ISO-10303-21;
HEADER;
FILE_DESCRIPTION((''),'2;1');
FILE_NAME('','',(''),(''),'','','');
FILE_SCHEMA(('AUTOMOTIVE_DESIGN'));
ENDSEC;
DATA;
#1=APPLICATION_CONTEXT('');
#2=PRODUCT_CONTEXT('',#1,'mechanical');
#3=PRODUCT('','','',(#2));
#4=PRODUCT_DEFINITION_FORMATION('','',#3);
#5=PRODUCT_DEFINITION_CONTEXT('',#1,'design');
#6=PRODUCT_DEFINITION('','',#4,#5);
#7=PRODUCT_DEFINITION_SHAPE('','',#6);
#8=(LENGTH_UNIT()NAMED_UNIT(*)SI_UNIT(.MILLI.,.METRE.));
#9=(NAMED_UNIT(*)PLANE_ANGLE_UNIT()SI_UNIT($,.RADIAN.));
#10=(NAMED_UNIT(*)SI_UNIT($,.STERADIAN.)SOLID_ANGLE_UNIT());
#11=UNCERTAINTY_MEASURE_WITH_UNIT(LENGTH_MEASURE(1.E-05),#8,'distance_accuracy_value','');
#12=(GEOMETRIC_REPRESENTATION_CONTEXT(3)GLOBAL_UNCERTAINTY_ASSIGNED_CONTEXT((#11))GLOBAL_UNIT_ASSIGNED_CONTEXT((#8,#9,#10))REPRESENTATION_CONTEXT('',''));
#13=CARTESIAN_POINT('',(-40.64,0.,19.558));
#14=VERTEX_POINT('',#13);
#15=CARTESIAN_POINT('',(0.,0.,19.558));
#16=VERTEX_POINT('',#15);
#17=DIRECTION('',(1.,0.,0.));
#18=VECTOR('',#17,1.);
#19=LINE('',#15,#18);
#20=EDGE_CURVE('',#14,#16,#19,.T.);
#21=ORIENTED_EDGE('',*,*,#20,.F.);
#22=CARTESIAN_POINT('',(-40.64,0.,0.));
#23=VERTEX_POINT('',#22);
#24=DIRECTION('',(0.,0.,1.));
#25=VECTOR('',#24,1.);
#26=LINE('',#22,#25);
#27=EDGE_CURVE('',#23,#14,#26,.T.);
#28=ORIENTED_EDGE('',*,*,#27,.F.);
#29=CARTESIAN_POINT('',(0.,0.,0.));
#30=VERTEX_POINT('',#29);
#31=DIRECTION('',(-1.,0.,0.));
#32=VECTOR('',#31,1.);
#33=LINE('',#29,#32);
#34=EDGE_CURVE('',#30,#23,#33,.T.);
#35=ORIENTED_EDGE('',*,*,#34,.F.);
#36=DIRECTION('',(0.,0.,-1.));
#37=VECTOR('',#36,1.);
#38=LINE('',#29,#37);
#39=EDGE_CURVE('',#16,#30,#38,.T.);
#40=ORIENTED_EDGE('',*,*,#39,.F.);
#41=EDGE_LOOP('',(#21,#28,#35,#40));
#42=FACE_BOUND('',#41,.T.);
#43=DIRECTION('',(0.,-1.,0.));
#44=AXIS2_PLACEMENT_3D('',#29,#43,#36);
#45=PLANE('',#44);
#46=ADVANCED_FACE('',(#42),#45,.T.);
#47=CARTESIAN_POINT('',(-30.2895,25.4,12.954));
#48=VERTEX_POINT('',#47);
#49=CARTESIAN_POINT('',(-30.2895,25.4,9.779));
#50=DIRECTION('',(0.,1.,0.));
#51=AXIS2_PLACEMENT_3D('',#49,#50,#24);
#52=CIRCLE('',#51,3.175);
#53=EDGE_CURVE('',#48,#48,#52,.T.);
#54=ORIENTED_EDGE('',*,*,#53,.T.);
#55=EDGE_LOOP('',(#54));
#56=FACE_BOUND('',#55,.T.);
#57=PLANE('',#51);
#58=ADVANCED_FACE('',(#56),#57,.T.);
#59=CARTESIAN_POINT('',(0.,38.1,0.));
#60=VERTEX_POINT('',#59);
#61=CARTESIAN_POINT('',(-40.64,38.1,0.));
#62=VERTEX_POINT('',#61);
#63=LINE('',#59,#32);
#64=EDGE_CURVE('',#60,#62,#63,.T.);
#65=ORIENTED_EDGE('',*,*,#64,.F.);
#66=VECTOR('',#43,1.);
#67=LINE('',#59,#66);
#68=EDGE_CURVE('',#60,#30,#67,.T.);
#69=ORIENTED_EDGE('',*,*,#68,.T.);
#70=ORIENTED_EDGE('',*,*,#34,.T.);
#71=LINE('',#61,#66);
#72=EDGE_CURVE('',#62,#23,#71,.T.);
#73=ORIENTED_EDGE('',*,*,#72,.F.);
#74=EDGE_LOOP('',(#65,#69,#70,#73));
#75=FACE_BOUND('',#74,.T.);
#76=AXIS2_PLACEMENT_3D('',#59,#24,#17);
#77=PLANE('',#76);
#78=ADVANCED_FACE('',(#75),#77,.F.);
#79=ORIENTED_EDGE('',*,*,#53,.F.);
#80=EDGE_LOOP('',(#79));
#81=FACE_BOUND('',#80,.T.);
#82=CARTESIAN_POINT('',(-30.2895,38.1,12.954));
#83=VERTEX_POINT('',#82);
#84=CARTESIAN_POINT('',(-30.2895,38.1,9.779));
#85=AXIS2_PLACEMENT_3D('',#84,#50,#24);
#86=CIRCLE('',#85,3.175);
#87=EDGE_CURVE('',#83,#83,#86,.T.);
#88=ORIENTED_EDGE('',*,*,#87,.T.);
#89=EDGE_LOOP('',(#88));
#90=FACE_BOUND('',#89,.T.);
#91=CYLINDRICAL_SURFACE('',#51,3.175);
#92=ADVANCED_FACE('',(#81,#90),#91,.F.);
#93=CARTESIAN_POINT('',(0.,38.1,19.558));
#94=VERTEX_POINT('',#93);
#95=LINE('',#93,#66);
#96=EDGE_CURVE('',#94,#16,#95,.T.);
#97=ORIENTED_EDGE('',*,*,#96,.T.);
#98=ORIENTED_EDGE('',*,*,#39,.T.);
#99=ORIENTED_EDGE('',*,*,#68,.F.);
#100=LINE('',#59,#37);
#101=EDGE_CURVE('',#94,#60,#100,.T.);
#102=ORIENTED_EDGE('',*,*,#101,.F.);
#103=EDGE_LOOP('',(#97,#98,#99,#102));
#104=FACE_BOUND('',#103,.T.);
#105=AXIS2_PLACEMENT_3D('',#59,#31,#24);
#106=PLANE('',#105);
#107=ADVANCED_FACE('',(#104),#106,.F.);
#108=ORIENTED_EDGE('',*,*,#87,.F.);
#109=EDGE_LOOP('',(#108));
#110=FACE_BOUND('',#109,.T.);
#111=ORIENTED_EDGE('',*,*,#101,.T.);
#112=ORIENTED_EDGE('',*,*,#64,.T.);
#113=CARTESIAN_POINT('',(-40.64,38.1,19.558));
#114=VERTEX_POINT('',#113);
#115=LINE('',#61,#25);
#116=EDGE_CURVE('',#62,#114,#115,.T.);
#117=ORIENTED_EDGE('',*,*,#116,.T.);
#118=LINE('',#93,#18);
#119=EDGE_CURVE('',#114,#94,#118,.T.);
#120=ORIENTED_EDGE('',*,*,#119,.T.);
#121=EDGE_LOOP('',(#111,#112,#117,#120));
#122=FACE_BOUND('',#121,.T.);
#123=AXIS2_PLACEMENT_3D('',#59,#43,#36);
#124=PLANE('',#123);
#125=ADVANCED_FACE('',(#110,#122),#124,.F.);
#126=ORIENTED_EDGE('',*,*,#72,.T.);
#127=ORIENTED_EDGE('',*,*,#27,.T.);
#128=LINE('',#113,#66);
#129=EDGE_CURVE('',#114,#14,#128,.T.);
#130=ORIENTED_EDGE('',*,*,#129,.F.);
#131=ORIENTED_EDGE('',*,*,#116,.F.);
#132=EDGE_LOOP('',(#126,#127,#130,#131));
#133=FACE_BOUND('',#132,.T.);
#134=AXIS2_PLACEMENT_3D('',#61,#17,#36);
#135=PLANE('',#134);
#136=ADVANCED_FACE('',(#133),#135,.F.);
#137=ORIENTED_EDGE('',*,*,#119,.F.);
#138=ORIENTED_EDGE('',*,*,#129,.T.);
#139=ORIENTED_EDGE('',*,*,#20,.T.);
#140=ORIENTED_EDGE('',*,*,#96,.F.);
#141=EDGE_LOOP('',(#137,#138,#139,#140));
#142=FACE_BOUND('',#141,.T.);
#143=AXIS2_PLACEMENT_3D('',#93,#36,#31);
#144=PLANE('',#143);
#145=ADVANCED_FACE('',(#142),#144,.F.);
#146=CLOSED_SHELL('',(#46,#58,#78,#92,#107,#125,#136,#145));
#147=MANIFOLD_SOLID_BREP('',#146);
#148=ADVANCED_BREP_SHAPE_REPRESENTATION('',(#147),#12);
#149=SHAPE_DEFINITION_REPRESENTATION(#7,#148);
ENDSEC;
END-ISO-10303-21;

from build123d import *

# Parameters (mm, degrees)
SKETCH1_W           = 40.64
SKETCH1_H           = 19.558
BOSS_EXTRUDE1_DEPTH = 38.1
SKETCH2_R           = 3.175
CUT_EXTRUDE1_DEPTH  = 12.7


with BuildPart() as part:
    # Sketch1 → Boss-Extrude1 (new body)
    with BuildSketch(Plane(origin=(0, 0, 0), x_dir=(1, 0, 0), z_dir=(0, 1, 0))):
        with Locations((-20.32, -9.779)):
            Rectangle(SKETCH1_W, SKETCH1_H)
    extrude(amount=BOSS_EXTRUDE1_DEPTH)

    # Sketch2 → Cut-Extrude1 (cut)
    with BuildSketch(Plane(origin=(0, 38.1, 0), x_dir=(1, 0, 0), z_dir=(0, 1, 0))):
        with Locations(Location((-30.2895, -9.779, 0), (0, 0, 270))):
            Circle(SKETCH2_R)
    extrude(amount=-CUT_EXTRUDE1_DEPTH, mode=Mode.SUBTRACT)


solid = part.part
